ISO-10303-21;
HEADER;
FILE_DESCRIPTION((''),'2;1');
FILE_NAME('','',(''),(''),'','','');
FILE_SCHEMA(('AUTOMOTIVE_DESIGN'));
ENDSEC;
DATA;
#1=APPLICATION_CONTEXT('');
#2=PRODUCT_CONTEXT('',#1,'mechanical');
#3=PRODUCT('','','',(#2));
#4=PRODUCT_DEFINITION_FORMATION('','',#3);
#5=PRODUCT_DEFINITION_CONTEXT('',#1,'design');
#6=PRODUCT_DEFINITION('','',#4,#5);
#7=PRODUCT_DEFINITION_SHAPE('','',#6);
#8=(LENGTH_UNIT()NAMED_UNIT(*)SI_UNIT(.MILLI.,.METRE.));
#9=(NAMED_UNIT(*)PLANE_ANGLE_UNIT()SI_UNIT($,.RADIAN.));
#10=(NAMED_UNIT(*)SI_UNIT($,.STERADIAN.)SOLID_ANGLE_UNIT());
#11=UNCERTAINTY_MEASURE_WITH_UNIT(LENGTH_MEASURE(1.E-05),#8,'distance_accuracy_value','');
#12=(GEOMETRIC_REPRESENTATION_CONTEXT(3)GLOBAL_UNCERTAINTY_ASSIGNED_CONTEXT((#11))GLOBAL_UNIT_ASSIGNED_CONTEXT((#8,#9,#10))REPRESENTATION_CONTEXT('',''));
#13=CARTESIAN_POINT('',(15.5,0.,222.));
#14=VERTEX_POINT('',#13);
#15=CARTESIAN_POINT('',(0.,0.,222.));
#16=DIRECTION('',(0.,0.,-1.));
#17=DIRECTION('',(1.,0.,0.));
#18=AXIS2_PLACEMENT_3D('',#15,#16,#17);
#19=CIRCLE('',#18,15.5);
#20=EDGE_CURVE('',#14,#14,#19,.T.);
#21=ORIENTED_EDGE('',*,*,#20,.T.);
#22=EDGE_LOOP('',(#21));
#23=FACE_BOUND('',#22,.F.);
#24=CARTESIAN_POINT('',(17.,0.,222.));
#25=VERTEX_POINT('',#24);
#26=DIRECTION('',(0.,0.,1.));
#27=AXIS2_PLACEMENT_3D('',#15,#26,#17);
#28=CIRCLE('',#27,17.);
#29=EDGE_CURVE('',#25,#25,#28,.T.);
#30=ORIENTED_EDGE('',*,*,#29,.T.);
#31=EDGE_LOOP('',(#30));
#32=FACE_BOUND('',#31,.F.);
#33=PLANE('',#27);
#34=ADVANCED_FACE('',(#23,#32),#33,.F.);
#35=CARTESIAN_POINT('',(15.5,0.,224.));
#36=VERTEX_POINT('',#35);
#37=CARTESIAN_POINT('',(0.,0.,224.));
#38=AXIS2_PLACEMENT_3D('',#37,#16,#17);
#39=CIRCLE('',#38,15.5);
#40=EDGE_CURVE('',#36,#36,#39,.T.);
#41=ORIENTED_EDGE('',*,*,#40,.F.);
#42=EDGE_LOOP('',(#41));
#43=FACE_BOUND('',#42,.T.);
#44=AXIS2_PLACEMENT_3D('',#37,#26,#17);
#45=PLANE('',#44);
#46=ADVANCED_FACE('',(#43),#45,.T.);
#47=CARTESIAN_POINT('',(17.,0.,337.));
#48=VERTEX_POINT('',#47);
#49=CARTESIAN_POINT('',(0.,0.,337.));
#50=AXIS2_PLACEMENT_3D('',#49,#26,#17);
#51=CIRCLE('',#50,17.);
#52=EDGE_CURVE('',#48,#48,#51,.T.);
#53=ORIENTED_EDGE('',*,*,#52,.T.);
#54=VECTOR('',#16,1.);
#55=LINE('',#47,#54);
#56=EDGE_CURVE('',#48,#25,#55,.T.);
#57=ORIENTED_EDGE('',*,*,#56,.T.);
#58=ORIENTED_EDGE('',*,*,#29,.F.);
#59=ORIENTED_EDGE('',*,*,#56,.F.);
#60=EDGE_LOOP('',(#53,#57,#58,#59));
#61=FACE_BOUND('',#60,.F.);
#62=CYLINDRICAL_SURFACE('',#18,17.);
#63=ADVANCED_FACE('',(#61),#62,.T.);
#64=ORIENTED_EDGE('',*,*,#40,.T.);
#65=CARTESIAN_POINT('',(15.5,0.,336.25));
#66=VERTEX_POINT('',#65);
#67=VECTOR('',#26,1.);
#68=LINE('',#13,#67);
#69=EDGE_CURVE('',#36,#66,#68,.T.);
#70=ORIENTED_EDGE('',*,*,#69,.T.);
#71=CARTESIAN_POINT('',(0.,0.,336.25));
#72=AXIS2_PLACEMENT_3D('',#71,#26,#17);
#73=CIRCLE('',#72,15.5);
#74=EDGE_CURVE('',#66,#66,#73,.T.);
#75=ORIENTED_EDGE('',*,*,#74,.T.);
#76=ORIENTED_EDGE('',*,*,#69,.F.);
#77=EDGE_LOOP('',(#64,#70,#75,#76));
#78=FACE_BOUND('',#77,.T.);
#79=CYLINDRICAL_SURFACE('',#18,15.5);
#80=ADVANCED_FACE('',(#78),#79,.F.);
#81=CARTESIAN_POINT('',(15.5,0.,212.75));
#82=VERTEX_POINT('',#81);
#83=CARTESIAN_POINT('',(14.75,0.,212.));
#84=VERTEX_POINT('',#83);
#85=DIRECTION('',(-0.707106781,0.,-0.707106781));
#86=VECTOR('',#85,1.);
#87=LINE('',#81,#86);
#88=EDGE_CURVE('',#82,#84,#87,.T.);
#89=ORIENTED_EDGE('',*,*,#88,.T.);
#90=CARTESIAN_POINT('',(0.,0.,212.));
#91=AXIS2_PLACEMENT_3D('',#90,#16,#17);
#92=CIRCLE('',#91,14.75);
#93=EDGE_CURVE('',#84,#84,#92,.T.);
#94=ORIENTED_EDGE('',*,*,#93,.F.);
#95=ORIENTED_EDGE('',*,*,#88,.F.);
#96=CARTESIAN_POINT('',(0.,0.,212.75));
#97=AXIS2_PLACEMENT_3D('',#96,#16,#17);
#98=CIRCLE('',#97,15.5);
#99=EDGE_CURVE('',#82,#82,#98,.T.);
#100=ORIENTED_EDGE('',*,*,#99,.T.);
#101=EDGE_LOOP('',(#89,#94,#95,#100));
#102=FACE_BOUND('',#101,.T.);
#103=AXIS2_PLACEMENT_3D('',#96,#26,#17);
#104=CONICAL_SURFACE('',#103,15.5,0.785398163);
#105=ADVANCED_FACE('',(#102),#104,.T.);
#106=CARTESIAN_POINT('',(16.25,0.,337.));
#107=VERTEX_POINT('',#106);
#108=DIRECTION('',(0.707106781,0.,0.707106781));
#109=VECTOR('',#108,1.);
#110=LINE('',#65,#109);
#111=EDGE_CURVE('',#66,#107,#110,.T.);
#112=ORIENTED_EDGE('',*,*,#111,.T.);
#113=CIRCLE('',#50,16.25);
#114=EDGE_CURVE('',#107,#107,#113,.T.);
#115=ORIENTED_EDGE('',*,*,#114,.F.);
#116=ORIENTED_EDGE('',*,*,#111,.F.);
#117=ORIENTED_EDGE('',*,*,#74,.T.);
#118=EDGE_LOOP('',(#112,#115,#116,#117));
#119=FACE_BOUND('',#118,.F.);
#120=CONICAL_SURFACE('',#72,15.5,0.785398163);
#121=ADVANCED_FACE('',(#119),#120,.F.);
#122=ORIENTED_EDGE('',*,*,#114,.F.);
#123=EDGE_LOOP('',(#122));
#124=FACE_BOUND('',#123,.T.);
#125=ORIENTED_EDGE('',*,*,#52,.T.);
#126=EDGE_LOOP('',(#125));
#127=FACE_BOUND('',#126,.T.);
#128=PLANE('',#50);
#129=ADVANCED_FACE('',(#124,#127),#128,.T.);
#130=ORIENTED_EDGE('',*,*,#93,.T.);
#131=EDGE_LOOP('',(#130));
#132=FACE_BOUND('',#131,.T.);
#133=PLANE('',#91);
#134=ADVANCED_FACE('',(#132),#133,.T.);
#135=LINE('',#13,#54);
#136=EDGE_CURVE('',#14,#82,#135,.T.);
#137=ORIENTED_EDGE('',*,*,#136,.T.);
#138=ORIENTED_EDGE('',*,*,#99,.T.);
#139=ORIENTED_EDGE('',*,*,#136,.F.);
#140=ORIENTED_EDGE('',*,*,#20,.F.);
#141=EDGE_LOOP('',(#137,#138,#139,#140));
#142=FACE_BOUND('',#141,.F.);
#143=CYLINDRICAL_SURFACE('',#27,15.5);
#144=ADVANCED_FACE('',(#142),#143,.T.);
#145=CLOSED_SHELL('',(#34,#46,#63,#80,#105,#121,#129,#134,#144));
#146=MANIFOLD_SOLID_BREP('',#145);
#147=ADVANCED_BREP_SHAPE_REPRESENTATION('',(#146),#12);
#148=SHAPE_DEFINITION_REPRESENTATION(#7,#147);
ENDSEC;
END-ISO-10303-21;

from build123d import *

# Parameters (mm, degrees)
F1_R     = 17
F1_R_2   = 15.5
F2_DEPTH = 115
F3_SIZE  = 0.75
F4_R     = 17
F5_DEPTH = 2
F6_R     = 15.5
F7_DEPTH = 10
F8_SIZE  = 0.75


with BuildPart() as f2:
    # F1 (on offset) → F2 (new body)
    with BuildSketch(Plane.XY.offset(222)):
        Circle(F1_R)
        Circle(F1_R_2, mode=Mode.SUBTRACT)
    extrude(amount=F2_DEPTH)

    # F3
    f3_edges = [f2.edges().sort_by_distance(p)[0] for p in [
        (-15.5, 0, 337),
    ]]
    chamfer(f3_edges, length=F3_SIZE)

    # F4 (on offset) → F5 (join)
    with BuildSketch(Plane.XY.offset(222)):
        Circle(F4_R)
    extrude(amount=F5_DEPTH)

    # F6 (on face) → F7 (join)
    with BuildSketch(Plane(origin=(0, 0, 222), x_dir=(1, 0, 0), z_dir=(0, 0, -1))):
        Circle(F6_R)
    extrude(amount=F7_DEPTH)

    # F8
    f8_edges = [f2.edges().sort_by_distance(p)[0] for p in [
        (-15.5, 0, 212),
    ]]
    chamfer(f8_edges, length=F8_SIZE)


solid = f2.part
